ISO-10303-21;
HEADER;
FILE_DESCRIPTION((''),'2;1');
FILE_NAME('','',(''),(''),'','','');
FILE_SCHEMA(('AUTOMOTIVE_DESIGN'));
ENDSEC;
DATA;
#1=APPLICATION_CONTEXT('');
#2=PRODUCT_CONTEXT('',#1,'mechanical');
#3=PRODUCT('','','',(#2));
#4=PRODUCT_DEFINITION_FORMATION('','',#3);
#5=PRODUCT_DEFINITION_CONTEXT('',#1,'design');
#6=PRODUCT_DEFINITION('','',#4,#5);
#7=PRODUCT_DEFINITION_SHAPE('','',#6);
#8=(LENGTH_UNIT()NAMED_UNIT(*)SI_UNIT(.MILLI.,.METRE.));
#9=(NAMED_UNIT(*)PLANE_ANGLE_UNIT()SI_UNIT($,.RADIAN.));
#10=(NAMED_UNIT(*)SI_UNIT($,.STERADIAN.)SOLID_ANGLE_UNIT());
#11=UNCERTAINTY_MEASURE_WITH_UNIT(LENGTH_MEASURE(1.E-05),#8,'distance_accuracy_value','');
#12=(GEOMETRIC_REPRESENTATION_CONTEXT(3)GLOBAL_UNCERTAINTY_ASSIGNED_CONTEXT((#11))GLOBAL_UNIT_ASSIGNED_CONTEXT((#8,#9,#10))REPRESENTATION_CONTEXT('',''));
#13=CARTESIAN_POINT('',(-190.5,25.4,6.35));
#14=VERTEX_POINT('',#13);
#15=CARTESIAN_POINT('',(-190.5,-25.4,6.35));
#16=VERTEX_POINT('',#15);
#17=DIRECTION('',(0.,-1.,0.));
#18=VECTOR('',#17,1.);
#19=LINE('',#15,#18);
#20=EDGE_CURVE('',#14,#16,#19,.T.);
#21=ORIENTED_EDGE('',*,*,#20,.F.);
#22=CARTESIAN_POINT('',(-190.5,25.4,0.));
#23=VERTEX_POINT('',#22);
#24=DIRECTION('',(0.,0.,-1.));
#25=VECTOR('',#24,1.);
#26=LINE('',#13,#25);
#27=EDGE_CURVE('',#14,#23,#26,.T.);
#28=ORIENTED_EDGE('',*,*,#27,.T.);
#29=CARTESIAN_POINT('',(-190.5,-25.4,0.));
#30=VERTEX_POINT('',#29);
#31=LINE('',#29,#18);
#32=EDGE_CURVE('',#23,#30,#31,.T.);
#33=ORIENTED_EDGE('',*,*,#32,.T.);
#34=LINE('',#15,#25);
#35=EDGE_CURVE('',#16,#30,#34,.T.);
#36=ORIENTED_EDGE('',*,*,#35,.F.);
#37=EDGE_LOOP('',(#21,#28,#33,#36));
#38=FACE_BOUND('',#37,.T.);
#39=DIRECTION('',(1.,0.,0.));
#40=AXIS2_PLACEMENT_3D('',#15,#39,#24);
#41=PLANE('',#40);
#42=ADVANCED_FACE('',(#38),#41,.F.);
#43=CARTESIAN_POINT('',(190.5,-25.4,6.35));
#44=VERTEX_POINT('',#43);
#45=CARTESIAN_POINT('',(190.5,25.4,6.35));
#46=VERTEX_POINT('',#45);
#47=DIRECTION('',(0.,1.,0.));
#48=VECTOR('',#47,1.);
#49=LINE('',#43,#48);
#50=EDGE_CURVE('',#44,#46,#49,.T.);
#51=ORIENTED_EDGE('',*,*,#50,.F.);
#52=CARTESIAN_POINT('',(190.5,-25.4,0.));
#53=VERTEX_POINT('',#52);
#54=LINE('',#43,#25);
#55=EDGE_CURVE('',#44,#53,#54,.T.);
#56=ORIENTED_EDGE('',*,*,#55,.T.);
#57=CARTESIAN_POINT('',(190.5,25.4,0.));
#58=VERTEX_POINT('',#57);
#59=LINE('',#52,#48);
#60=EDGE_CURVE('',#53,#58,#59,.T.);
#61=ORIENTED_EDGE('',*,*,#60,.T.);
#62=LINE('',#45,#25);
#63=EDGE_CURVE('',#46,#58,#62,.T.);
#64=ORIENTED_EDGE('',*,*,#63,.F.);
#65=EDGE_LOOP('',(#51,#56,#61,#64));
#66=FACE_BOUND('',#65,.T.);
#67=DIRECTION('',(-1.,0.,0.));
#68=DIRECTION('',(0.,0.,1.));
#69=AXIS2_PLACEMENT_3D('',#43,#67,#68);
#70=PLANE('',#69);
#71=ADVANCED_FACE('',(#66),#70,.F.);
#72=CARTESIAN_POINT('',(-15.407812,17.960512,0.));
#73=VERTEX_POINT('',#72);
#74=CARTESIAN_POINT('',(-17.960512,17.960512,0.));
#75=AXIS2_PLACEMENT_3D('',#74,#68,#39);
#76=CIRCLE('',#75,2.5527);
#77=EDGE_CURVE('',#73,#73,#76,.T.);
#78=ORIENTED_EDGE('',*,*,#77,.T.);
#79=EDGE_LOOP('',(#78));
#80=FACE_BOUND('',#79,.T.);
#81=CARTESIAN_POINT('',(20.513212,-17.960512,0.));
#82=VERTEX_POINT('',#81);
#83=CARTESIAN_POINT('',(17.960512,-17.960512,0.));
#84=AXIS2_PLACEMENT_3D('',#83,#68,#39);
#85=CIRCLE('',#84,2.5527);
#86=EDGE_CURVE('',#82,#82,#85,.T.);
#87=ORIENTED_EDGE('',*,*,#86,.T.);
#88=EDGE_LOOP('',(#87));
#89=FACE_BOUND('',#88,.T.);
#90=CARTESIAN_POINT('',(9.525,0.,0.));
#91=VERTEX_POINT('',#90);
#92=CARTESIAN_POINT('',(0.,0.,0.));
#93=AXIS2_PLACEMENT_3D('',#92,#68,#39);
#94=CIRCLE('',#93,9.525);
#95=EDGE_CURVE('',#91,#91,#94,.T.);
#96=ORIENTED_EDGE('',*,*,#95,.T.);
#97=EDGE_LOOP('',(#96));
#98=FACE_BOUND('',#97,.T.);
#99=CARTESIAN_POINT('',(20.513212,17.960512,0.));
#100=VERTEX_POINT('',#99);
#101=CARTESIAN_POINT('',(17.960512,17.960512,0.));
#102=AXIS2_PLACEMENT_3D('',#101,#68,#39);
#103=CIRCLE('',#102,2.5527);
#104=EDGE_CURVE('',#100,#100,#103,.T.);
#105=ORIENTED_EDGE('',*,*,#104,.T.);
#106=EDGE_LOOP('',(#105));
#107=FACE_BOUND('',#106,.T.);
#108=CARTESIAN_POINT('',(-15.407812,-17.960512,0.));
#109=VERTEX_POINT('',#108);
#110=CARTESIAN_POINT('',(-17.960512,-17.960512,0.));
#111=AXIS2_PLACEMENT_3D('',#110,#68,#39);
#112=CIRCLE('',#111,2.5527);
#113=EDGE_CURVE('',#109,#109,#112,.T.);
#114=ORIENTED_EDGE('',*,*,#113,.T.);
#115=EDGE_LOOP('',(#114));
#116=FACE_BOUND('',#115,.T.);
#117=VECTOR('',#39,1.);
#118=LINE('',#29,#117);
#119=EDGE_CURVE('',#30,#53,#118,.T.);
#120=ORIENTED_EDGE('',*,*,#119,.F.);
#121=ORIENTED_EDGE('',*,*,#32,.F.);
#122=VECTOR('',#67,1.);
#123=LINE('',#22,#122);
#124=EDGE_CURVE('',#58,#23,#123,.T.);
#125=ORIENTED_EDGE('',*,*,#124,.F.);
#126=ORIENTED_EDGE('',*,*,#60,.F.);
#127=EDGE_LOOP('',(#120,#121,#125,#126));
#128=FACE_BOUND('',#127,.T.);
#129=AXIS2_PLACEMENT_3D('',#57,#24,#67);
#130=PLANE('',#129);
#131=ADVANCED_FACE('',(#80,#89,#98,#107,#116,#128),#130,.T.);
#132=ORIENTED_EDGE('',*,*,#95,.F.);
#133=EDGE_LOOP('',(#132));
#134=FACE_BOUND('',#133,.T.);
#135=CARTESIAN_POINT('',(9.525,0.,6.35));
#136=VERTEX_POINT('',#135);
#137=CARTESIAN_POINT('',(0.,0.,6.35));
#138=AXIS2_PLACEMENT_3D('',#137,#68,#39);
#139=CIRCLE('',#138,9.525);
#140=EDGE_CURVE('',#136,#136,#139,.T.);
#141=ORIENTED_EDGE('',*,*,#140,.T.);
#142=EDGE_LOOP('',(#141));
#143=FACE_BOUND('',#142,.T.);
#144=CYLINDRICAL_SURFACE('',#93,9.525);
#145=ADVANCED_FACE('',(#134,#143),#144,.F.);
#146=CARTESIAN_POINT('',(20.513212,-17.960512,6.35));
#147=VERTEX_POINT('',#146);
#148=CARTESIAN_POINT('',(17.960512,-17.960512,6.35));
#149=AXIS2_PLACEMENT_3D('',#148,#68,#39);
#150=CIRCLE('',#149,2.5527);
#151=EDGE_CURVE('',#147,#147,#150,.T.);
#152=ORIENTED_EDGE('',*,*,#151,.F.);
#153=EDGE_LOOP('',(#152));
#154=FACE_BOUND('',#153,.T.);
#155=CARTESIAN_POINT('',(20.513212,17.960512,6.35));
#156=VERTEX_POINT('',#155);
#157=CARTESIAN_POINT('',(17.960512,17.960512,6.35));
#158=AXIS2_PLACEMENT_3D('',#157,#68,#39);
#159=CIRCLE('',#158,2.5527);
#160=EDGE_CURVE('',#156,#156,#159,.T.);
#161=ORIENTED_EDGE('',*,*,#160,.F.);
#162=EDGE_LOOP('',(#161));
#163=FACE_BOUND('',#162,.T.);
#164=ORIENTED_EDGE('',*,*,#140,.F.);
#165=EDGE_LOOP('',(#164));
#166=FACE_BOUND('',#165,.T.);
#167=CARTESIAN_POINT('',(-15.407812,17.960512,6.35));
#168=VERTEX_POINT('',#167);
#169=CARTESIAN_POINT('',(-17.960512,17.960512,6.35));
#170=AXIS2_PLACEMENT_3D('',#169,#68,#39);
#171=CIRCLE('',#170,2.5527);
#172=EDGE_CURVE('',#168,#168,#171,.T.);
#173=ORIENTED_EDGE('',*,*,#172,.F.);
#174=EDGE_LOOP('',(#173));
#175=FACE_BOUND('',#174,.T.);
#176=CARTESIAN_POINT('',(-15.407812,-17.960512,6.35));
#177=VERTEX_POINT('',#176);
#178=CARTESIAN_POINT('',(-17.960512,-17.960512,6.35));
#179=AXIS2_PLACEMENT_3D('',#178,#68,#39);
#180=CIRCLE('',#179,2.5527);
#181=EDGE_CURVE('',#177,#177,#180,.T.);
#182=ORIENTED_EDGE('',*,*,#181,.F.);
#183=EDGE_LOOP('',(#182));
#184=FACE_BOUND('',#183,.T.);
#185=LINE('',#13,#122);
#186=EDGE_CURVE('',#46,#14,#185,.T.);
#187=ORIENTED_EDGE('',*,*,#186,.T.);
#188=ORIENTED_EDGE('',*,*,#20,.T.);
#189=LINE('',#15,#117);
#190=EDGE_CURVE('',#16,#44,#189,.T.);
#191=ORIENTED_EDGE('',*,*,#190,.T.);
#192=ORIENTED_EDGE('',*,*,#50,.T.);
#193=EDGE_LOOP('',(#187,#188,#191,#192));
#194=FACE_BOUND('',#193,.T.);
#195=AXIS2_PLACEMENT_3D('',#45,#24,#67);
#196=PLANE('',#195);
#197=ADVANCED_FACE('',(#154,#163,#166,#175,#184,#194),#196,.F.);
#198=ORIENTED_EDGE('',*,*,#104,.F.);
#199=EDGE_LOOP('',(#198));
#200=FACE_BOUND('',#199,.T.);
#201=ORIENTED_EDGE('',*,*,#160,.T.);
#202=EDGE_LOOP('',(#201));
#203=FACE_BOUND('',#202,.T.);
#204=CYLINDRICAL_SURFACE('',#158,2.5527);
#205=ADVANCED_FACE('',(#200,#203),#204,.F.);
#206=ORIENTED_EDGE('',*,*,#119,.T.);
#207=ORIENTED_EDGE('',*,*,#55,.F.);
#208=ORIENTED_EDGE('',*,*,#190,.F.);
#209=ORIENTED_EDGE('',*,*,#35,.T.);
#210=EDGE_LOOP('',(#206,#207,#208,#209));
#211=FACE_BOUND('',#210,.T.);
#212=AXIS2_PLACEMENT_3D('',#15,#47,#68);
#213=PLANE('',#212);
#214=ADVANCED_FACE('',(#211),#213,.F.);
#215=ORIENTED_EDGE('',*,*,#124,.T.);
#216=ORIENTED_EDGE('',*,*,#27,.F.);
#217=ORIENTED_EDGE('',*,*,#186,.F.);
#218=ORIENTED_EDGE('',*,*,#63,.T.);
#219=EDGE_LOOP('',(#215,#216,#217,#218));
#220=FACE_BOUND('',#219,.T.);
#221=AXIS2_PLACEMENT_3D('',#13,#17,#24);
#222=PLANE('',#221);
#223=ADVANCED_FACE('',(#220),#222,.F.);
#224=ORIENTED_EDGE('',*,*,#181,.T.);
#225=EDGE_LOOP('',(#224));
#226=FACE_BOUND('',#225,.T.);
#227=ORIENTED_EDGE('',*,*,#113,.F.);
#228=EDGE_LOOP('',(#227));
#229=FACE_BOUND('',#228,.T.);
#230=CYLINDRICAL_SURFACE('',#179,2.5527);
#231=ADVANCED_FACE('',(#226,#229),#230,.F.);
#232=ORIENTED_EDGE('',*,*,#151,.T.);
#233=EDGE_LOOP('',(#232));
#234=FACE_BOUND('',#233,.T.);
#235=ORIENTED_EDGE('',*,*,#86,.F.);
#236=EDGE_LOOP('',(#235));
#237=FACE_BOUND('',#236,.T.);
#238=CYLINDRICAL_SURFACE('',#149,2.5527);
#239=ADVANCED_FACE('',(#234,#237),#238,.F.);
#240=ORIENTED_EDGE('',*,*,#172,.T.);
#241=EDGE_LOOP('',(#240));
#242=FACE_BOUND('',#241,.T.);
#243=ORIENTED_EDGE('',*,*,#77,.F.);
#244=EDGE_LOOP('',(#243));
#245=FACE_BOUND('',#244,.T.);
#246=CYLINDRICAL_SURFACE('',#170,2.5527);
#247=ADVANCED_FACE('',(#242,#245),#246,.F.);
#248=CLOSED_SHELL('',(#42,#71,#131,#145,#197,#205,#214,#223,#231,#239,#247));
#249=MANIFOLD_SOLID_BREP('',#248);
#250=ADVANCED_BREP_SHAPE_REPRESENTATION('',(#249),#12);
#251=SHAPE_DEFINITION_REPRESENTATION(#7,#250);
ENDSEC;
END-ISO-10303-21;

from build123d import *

# Parameters (mm, degrees)
SKETCH1_W                  = 381
SKETCH1_H                  = 50.8
BOSS_EXTRUDE1_DEPTH        = 6.35
SKETCH2_R                  = 9.525
CUT_EXTRUDE1_DEPTH         = 193.290749908
F_7_0_201_DIAMETER_HOLE1_D = 5.1054
CIRPATTERN1_COUNT          = 4


with BuildPart() as part:
    # Sketch1 → Boss-Extrude1 (new body)
    with BuildSketch(Plane.XY):
        Rectangle(SKETCH1_W, SKETCH1_H)
    extrude(amount=BOSS_EXTRUDE1_DEPTH)

    # Sketch2 → Cut-Extrude1 (cut, through all)
    with BuildSketch(Plane.XY.offset(6.35)):
        Circle(SKETCH2_R)
    extrude(amount=-CUT_EXTRUDE1_DEPTH, mode=Mode.SUBTRACT)

    # #7 (0.201) Diameter Hole1 (through all)
    with Locations(Plane.XY.offset(6.35)):
        with Locations((17.960512242, 17.960512242)):
            f_7_0_201_diameter_hole1 = Hole(F_7_0_201_DIAMETER_HOLE1_D / 2)

    # CirPattern1: #7 (0.201) Diameter Hole1 ×4 about axis
    cirpattern1_axis = Axis((0, 0, 0), (0, 0, 1))
    for i in range(1, CIRPATTERN1_COUNT):
        add(f_7_0_201_diameter_hole1.rotate(cirpattern1_axis, i * 360 / CIRPATTERN1_COUNT), mode=Mode.SUBTRACT)


solid = part.part
